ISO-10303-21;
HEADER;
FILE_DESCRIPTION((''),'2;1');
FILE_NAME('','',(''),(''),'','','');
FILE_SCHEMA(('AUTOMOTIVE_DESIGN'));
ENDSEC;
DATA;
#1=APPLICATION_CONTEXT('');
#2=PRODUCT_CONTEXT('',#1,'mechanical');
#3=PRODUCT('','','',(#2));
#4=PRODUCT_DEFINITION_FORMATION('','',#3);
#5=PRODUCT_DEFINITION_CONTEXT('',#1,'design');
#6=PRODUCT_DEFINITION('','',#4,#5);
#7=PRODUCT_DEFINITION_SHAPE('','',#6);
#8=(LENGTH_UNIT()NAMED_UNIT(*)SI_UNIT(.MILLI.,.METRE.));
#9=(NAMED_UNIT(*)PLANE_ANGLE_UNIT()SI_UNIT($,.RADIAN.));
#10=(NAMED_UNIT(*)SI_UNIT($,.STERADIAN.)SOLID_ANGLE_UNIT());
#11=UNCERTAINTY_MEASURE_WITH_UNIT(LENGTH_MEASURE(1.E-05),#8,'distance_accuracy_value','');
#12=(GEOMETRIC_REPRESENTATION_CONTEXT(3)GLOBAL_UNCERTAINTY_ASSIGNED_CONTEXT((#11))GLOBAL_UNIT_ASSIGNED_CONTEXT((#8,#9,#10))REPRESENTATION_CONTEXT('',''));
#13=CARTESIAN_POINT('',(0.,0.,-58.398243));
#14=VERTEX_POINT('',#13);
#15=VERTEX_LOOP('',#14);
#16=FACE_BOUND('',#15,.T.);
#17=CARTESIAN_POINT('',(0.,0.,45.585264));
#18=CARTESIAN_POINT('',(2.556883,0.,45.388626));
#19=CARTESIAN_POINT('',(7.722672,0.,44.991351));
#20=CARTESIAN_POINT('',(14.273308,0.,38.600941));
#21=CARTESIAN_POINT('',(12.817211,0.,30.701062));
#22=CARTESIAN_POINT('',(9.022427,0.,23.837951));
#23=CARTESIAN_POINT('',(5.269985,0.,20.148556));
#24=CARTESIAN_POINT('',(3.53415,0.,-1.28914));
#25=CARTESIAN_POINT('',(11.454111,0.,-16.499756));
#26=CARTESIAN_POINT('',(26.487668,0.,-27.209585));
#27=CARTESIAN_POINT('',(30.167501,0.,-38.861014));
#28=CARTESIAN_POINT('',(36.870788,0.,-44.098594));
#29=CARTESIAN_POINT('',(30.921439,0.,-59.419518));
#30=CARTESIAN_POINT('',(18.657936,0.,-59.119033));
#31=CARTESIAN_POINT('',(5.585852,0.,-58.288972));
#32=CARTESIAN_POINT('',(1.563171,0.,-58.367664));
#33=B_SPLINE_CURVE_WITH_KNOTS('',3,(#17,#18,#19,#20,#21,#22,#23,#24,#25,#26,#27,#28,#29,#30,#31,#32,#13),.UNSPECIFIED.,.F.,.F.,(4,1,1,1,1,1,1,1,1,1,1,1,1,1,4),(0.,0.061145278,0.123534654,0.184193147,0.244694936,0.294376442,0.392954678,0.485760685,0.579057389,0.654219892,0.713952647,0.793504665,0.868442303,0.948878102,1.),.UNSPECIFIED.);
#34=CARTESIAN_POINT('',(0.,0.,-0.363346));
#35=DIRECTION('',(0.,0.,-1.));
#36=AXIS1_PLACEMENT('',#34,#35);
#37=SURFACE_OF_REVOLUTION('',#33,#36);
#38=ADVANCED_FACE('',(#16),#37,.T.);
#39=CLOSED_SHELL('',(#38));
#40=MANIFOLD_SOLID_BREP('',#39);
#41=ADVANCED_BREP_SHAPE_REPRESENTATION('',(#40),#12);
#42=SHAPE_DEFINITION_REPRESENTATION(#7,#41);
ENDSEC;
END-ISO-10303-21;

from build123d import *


with BuildPart() as f1:
    # F0 (on Front) → F1 (revolve)
    with BuildSketch(Plane.XZ):
        with BuildLine():
            add(Edge.make_bspline(
                [(0, 45.5852635205), (2.5568827372, 45.3886262088), (7.7226720534, 44.9913506868), (14.2733078527, 38.6009414788), (12.8172107765, 30.7010619434), (9.0224266066, 23.8379505049), (5.2699852026, 20.1485557569), (3.5341504152, -1.2891404544), (11.4541112208, -16.4997559714), (26.4876679011, -27.2095845086), (30.1675013358, -38.8610136927), (36.8707883453, -44.0985940827), (30.9214388566, -59.4195178618), (18.6579357055, -59.1190327269), (5.5858524134, -58.2889719725), (1.5631706323, -58.3676641217), (0, -58.3982430398)],
                knots=[0, 0, 0, 0, 0.0611452782, 0.1235346543, 0.1841931473, 0.244694936, 0.2943764419, 0.392954678, 0.4857606847, 0.5790573895, 0.6542198919, 0.7139526468, 0.7935046645, 0.8684423031, 0.9488781019, 1, 1, 1, 1], degree=3))
            Line((0, 45.5852635205), (0, -58.3982430398))
        make_face()
    revolve(axis=Axis((0, 0, -0.3633461893), (0, 0, -1)))


solid = f1.part
